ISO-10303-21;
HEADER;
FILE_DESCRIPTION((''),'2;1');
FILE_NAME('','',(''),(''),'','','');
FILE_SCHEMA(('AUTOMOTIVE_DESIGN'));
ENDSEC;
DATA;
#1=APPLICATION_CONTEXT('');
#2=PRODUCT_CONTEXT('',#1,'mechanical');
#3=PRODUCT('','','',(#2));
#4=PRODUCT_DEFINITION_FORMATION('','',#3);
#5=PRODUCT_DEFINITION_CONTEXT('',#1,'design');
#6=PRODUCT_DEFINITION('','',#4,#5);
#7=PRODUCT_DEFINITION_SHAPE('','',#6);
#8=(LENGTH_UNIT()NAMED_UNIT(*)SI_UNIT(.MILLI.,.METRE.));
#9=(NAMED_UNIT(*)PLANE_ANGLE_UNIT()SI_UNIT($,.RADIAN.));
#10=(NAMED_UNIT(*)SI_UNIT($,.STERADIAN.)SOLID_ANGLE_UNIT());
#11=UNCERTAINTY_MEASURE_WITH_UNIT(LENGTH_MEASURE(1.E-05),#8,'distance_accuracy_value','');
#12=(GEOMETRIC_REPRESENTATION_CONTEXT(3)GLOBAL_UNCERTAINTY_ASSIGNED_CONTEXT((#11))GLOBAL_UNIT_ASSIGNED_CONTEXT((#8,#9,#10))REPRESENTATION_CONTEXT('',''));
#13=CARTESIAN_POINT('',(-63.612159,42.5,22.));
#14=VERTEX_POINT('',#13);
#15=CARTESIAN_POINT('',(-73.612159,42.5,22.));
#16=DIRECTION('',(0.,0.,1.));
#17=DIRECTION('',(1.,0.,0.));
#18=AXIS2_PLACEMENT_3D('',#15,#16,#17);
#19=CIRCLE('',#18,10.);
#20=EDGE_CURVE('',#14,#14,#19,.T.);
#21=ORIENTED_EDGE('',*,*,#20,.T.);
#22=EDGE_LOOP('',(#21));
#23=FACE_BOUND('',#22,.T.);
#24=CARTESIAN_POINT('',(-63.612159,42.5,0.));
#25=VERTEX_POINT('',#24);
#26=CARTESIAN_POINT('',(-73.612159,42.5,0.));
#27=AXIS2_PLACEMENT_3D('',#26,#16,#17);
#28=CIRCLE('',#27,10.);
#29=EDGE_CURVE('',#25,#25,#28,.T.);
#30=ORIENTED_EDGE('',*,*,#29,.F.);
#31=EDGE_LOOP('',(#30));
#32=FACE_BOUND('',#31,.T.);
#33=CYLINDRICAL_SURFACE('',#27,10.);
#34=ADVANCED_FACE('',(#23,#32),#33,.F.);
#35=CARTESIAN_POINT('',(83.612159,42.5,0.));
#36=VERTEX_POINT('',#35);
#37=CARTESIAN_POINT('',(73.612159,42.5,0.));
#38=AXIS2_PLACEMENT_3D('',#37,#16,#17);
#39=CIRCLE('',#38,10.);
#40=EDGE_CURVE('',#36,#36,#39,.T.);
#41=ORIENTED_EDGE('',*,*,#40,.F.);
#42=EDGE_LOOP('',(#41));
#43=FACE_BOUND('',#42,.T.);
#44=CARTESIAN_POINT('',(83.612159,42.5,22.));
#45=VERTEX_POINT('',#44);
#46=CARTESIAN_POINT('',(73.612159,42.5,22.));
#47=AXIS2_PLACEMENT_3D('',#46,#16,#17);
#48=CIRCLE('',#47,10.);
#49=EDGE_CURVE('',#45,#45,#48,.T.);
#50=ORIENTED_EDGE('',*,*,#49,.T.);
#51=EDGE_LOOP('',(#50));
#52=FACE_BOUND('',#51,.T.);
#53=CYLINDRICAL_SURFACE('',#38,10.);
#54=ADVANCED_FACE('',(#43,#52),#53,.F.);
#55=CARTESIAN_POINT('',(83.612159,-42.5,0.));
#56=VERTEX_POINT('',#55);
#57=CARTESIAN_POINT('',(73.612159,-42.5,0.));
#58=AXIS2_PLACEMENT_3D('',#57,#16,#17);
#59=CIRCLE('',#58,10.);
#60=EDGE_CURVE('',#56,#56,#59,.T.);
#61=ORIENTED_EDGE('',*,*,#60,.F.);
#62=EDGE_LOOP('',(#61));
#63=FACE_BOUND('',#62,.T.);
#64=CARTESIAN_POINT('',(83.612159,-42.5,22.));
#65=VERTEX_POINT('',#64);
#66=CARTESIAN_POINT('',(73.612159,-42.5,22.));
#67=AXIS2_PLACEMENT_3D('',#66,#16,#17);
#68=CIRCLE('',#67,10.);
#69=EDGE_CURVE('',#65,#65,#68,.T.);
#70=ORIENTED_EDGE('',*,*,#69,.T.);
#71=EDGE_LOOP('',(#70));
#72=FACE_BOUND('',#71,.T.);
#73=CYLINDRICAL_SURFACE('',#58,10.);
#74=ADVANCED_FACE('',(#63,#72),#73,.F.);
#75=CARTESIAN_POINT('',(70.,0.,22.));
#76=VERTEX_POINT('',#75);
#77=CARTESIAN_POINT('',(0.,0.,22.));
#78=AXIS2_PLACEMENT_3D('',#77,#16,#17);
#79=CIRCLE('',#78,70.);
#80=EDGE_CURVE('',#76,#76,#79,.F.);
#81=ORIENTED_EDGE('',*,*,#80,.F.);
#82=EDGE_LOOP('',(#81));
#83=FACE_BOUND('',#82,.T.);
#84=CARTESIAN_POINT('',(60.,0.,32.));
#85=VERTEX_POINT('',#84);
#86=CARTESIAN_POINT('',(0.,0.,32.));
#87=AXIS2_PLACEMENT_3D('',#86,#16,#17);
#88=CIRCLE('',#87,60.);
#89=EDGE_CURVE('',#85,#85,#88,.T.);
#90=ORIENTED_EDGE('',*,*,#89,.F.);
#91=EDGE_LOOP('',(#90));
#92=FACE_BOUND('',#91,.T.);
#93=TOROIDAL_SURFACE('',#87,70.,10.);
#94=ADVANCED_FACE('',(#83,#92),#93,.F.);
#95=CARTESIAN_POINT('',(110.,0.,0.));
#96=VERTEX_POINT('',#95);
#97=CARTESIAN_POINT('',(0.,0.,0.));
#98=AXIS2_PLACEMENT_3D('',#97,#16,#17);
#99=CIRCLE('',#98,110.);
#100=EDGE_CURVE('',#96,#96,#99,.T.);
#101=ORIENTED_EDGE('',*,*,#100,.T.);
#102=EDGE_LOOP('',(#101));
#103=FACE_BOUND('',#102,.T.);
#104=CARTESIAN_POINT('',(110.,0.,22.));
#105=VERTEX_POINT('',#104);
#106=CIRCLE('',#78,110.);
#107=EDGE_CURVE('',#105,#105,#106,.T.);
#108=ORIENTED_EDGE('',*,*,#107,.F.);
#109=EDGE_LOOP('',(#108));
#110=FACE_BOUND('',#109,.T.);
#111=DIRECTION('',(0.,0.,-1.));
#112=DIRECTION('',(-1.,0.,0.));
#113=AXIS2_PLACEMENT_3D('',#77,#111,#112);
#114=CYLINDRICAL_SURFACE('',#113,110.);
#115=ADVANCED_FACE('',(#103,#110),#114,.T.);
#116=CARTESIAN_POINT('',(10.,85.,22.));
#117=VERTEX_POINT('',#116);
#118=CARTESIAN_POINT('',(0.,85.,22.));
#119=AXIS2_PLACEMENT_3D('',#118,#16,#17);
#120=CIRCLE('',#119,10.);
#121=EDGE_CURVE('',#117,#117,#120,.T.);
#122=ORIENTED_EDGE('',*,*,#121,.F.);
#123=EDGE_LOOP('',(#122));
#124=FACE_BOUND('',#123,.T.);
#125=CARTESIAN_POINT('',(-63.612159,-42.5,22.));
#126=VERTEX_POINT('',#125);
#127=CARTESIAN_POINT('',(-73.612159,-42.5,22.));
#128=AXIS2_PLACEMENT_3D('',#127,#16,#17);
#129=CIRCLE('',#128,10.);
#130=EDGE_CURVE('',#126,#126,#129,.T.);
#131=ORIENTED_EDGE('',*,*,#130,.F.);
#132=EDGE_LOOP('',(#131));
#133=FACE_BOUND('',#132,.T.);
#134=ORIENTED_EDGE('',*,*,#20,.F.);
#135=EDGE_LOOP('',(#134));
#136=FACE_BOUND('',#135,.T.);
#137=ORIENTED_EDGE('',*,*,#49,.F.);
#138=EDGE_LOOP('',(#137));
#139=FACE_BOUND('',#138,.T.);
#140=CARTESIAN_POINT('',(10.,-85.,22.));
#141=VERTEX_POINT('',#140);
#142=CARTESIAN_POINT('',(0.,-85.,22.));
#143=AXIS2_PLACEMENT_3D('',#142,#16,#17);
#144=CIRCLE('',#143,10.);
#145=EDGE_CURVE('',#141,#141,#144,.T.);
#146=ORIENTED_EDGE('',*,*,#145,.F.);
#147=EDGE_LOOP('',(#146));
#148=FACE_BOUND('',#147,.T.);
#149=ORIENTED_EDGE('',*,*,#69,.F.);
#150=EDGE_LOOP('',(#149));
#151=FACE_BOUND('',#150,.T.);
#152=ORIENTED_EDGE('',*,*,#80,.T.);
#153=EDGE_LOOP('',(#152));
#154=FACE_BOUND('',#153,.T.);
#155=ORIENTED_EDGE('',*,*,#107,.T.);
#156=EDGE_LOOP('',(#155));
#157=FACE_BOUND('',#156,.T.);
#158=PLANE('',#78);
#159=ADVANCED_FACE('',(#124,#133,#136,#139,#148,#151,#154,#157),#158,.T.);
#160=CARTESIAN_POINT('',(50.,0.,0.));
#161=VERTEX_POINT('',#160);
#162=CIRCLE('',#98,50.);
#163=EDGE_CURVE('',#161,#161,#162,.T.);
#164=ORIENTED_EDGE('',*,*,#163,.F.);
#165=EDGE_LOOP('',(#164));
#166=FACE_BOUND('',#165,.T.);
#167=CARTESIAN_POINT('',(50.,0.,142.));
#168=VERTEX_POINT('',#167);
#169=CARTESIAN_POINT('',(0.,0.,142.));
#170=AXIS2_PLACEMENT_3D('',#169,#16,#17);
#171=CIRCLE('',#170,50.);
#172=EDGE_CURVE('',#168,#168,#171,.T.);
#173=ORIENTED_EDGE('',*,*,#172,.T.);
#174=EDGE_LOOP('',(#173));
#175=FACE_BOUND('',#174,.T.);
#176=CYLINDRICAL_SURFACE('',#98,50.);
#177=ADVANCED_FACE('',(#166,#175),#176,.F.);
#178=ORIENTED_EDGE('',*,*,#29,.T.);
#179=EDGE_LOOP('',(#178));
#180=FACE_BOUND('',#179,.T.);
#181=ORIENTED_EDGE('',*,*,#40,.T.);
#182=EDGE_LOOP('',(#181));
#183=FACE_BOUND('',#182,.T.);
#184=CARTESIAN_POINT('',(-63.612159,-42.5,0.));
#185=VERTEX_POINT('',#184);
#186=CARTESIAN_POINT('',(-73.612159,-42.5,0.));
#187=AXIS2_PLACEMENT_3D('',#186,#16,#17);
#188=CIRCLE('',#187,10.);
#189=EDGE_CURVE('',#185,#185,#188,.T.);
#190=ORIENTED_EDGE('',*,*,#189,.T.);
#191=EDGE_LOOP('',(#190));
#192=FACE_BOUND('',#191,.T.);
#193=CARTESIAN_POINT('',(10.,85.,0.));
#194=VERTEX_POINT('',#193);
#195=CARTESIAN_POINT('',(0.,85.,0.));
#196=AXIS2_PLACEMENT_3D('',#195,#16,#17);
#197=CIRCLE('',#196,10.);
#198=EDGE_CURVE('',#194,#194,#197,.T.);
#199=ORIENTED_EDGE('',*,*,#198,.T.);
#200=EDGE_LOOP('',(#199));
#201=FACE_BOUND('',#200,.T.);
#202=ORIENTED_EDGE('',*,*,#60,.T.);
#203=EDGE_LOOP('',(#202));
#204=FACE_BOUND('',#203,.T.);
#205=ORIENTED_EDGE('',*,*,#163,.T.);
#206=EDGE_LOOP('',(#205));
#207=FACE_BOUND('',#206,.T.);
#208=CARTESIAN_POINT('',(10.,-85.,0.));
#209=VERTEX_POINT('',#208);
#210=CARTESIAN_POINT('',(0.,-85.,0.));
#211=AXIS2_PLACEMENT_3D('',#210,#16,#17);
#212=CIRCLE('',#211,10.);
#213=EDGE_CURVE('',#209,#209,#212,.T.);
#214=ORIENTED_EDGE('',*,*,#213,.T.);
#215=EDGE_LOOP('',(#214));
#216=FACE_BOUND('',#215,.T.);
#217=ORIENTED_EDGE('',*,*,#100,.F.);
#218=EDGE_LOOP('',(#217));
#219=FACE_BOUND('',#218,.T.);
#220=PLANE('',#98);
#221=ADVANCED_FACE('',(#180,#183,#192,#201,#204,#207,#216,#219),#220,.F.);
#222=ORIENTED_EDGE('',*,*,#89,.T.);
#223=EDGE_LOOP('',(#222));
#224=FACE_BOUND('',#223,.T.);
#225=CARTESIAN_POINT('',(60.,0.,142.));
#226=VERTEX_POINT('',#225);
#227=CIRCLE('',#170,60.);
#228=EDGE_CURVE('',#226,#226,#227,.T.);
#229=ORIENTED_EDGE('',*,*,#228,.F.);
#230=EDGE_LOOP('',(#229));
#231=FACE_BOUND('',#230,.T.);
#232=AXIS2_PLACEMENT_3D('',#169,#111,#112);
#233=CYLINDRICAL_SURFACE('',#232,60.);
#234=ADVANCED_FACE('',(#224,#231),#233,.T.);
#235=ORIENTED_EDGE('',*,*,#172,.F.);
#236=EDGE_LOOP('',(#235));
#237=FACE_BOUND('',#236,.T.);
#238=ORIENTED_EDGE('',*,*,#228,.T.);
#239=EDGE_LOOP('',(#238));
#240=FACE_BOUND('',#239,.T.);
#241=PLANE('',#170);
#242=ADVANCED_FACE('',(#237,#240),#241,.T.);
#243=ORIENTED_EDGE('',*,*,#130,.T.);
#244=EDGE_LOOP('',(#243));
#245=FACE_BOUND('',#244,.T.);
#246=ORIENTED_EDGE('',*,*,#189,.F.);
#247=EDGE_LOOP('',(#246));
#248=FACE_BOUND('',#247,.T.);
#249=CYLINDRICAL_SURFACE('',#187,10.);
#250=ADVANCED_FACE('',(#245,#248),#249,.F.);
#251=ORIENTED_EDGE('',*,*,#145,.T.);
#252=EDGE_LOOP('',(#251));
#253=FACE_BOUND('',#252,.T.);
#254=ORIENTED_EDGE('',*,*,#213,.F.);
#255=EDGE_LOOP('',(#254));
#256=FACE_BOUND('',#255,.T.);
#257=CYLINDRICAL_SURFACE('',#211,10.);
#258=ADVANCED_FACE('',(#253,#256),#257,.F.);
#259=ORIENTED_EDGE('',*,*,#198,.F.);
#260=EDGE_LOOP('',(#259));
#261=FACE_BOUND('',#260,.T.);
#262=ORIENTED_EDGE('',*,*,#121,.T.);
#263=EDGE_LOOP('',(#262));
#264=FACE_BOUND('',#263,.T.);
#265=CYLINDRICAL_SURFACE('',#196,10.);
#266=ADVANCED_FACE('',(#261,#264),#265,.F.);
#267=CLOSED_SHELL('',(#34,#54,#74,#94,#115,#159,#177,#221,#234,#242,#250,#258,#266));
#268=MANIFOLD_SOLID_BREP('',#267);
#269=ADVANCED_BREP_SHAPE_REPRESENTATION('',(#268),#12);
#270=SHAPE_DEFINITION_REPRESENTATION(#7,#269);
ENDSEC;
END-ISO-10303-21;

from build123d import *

# Parameters (mm, degrees)
SKETCH1_R           = 110
BOSS_EXTRUDE1_DEPTH = 22
SKETCH2_R           = 60
BOSS_EXTRUDE2_DEPTH = 120
SKETCH3_R           = 50
CUT_EXTRUDE1_DEPTH  = 211.627633515
SKETCH4_R           = 10
CUT_EXTRUDE2_DEPTH  = 197.468827044
FILLET1_R           = 10


with BuildPart() as part:
    # Sketch1 → Boss-Extrude1 (new body)
    with BuildSketch(Plane.XY):
        Circle(SKETCH1_R)
    extrude(amount=BOSS_EXTRUDE1_DEPTH)

    # Sketch2 → Boss-Extrude2 (add)
    with BuildSketch(Plane.XY.offset(22)):
        Circle(SKETCH2_R)
    extrude(amount=BOSS_EXTRUDE2_DEPTH)

    # Sketch3 → Cut-Extrude1 (cut, through all)
    with BuildSketch(Plane.XY.offset(142)):
        Circle(SKETCH3_R)
    extrude(amount=-CUT_EXTRUDE1_DEPTH, mode=Mode.SUBTRACT)

    # Sketch4 → Cut-Extrude2 (cut, through all)
    with BuildSketch(Plane.XY.offset(22)):
        with Locations((0, 85)):
            Circle(SKETCH4_R)
        with Locations((73.612159322, 42.5)):
            Circle(SKETCH4_R)
        with Locations((73.612159322, -42.5)):
            Circle(SKETCH4_R)
        with Locations((0, -85)):
            Circle(SKETCH4_R)
        with Locations((-73.612159322, -42.5)):
            Circle(SKETCH4_R)
        with Locations((-73.612159322, 42.5)):
            Circle(SKETCH4_R)
    extrude(amount=-CUT_EXTRUDE2_DEPTH, mode=Mode.SUBTRACT)

    # Fillet1
    fillet1_edges = [part.edges().sort_by_distance(p)[0] for p in [
        (-60, 0, 22),
    ]]
    fillet(fillet1_edges, radius=FILLET1_R)


solid = part.part
